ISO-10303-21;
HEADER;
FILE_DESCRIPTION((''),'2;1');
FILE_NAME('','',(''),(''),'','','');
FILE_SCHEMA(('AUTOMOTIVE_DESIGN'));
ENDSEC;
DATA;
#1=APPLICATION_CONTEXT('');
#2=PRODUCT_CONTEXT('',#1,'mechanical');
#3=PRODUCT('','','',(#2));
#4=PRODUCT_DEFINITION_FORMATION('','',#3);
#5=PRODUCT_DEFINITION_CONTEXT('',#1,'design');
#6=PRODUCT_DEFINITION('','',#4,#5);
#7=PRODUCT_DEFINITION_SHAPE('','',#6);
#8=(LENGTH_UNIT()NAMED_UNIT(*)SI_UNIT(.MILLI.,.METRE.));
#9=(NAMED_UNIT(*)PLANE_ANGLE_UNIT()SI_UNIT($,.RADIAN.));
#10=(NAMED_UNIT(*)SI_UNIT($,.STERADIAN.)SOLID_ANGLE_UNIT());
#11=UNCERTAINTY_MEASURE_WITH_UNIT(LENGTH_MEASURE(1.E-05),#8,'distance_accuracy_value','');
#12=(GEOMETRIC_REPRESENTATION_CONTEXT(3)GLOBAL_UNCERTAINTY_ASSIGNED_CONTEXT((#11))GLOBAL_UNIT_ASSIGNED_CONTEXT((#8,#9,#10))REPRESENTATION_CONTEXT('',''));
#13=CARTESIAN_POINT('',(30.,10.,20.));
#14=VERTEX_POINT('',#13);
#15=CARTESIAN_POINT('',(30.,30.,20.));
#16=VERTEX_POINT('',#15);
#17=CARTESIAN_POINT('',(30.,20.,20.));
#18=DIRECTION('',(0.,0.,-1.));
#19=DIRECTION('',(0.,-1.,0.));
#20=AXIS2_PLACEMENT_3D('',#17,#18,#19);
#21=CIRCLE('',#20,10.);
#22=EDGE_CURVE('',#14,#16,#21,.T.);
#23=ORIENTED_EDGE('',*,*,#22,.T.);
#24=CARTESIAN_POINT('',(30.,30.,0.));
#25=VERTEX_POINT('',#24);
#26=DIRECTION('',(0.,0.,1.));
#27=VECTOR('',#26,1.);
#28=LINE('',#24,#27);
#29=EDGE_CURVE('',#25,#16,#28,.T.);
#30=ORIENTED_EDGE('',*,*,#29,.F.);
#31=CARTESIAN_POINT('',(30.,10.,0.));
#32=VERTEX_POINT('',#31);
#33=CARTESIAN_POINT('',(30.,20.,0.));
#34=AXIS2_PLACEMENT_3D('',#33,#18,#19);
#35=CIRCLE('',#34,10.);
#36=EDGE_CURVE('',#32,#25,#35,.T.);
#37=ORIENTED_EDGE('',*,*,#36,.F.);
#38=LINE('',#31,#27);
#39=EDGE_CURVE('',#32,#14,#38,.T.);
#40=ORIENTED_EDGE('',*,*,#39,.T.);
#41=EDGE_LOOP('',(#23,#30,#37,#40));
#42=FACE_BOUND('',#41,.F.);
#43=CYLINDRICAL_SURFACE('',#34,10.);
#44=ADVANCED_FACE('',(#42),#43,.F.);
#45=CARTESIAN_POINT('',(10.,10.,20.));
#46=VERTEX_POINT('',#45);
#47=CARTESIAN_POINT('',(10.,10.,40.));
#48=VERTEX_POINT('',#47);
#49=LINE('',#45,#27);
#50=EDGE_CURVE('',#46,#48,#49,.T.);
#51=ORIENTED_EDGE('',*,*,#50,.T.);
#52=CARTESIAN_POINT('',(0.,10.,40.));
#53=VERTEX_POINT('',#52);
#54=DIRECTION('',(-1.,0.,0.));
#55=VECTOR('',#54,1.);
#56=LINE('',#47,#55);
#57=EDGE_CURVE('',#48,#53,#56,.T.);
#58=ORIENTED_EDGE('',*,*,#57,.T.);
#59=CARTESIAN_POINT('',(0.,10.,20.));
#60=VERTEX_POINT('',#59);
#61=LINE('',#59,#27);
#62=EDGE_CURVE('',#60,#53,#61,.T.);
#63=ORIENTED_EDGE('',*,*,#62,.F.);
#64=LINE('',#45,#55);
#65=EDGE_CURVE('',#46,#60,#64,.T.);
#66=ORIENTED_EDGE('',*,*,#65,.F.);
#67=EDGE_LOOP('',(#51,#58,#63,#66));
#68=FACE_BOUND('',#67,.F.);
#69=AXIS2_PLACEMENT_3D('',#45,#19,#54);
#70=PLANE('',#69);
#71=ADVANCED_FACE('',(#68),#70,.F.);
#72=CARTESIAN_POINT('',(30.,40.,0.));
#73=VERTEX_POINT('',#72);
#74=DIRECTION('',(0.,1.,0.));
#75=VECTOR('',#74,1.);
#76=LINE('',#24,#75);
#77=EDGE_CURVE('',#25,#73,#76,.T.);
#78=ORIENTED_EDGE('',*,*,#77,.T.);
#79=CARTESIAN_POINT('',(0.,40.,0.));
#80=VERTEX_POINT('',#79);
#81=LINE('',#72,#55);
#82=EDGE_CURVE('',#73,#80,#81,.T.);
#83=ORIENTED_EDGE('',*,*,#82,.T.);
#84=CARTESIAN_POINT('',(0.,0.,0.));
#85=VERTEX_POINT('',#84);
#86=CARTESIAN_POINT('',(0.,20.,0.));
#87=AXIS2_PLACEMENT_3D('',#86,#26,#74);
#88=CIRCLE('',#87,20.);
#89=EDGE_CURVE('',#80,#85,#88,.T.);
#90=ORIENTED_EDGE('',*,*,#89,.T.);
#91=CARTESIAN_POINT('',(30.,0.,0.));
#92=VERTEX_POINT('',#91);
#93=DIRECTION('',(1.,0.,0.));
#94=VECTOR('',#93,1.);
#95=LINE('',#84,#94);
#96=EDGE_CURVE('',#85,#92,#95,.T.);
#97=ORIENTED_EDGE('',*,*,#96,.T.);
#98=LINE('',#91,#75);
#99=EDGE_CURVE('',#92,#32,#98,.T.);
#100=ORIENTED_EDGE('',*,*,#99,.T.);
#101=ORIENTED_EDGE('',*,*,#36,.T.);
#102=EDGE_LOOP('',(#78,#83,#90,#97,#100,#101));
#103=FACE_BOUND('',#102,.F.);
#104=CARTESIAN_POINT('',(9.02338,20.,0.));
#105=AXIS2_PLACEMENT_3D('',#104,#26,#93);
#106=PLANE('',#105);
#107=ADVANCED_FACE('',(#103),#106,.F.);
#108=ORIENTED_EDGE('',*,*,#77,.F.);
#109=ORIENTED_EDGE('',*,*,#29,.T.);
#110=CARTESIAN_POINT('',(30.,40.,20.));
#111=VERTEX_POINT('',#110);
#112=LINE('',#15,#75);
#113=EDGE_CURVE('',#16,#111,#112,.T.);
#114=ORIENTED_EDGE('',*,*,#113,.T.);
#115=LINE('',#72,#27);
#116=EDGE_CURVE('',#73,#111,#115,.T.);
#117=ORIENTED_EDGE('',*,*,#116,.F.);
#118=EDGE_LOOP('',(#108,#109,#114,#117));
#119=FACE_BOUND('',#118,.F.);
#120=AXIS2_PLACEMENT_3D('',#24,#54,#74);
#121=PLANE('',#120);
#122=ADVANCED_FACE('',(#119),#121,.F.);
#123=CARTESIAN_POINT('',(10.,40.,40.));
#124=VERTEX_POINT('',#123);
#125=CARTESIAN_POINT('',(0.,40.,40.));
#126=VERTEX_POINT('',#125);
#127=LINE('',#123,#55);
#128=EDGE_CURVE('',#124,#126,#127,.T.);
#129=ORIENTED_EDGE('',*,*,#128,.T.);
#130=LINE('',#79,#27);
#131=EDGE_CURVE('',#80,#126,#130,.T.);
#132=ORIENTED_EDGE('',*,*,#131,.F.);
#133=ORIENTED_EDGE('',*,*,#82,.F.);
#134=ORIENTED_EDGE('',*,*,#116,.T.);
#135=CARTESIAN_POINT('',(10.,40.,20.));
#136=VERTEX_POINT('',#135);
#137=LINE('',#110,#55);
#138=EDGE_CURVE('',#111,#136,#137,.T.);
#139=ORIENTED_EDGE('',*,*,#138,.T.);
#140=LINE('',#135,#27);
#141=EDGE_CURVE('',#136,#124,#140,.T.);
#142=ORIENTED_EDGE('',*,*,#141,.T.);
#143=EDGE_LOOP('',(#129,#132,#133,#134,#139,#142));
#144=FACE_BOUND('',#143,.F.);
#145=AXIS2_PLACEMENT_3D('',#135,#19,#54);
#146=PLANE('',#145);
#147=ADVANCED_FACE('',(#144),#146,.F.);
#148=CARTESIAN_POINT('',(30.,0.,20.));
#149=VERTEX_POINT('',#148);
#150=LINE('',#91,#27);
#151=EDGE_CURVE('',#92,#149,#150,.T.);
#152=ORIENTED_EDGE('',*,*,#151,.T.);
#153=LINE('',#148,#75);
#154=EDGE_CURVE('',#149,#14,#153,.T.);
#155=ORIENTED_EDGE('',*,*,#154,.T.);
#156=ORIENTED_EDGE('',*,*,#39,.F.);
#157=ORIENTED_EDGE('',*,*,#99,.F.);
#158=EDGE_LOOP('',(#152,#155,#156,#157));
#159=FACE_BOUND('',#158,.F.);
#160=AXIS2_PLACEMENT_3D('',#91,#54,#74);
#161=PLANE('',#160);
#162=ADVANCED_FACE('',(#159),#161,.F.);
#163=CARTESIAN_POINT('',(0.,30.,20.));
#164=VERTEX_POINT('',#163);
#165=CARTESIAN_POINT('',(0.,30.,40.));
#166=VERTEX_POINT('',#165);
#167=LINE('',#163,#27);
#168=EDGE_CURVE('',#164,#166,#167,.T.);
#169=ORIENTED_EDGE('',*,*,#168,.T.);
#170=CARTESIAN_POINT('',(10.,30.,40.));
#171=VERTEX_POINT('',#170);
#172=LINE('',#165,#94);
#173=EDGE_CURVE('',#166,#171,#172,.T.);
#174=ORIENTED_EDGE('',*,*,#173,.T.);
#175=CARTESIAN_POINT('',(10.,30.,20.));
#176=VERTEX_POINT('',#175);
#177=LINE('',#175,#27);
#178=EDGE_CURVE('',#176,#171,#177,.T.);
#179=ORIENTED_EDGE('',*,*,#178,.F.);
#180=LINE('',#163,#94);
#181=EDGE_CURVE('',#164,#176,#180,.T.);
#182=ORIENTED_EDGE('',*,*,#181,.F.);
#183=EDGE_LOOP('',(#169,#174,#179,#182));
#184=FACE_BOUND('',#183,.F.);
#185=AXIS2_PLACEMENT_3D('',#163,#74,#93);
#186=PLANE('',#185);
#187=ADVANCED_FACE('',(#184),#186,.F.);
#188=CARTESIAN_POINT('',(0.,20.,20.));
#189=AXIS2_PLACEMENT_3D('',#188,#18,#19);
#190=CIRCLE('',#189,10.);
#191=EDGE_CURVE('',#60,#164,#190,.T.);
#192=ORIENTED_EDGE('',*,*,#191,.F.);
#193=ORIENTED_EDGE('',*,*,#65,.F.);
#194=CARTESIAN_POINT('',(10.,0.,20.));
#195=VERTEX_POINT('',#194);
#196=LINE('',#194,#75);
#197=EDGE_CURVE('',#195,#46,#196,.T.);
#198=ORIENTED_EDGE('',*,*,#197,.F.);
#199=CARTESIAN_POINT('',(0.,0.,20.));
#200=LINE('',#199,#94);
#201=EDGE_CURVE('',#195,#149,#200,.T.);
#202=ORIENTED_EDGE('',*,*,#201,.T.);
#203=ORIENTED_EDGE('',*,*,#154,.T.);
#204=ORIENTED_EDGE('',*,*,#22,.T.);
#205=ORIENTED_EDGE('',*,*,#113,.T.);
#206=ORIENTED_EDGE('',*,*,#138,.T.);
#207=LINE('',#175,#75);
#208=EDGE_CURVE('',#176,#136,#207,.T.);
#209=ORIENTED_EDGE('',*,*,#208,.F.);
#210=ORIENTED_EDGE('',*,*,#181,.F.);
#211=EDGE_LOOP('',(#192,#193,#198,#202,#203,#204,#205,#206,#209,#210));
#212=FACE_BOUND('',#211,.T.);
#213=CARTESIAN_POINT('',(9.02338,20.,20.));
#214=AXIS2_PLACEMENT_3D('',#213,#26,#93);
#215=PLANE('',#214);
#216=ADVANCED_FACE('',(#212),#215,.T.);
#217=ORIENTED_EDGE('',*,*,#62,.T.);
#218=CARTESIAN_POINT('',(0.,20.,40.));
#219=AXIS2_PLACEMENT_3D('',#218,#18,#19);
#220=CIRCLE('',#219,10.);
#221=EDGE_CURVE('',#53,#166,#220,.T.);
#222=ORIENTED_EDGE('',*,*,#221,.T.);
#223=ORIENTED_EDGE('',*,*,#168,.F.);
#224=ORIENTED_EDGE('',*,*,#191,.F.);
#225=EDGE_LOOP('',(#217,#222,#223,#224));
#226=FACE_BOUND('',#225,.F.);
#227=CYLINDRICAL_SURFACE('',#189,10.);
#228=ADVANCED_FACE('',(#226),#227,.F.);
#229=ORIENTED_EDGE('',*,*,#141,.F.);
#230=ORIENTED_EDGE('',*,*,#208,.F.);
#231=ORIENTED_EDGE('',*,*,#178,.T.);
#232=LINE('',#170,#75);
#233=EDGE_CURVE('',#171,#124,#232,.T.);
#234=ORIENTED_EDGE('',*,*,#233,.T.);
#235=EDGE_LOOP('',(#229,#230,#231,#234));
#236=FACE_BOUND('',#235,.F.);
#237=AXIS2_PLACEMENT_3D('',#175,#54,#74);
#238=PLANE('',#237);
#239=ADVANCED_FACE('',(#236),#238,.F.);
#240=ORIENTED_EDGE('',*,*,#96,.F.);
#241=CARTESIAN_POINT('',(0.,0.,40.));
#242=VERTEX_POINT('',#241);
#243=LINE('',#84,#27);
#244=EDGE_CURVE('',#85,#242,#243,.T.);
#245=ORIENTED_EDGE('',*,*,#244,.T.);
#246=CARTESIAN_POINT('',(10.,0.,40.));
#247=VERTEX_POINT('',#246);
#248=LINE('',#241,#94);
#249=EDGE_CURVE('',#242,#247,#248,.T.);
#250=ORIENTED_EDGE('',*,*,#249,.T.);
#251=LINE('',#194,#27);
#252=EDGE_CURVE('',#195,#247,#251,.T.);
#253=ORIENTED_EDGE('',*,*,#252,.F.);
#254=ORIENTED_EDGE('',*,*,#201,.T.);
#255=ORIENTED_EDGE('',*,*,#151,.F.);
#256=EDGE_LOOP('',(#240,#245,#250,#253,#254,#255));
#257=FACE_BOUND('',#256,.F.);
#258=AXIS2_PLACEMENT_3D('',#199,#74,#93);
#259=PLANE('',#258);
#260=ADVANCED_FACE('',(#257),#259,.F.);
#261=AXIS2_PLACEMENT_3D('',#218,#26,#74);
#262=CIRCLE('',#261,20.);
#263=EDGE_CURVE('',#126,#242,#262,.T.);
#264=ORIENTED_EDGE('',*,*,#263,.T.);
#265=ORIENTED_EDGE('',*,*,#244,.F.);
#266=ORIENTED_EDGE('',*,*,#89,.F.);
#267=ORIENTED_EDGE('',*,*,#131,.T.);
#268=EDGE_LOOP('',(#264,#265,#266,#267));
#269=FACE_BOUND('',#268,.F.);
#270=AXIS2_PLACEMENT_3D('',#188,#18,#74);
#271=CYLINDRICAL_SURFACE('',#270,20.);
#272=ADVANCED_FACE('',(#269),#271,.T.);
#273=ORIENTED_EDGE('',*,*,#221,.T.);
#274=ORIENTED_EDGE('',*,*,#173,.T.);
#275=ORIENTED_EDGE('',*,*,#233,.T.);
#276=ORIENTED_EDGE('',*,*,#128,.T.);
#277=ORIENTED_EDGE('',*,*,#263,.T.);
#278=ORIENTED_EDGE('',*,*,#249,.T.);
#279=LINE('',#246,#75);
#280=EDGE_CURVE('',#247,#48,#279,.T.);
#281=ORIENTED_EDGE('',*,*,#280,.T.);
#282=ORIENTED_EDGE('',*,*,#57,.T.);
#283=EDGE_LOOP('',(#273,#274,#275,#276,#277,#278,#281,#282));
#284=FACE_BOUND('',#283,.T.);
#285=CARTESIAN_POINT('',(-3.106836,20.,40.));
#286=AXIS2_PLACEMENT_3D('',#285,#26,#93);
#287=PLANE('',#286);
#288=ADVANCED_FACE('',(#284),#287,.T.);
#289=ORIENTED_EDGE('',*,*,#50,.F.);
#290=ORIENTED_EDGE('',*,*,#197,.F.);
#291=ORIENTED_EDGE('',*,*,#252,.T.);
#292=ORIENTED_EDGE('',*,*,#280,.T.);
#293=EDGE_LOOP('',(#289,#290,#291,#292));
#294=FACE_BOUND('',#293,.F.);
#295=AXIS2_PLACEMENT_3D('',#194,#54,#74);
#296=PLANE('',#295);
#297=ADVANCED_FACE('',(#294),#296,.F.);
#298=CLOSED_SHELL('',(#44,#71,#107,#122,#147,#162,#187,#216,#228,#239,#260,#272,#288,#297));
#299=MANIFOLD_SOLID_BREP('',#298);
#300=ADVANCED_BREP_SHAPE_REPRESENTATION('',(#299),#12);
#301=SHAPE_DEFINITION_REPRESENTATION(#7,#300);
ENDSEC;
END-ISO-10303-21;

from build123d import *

# Parameters (mm, degrees)
F1_DEPTH = 20
F3_DEPTH = 20


with BuildPart() as f1:
    # F0 (on Top) → F1 (new body)
    with BuildSketch(Plane.XY):
        with BuildLine():
            ThreePointArc((0, 40), (-20, 20), (0, 0))
            Line((0, 0), (30, 0))
            Line((30, 0), (30, 10))
            ThreePointArc((30, 10), (20, 20), (30, 30))
            Line((30, 30), (30, 40))
            Line((30, 40), (0, 40))
        make_face()
    extrude(amount=F1_DEPTH)

    # F2 (on face) → F3 (join)
    with BuildSketch(Plane.XY.offset(20)):
        with BuildLine():
            Line((10, 40), (0, 40))
            ThreePointArc((0, 40), (-20, 20), (0, 0))
            Line((0, 0), (10, 0))
            Line((10, 0), (10, 10))
            Line((10, 10), (0, 10))
            ThreePointArc((0, 10), (-10, 20), (0, 30))
            Line((0, 30), (10, 30))
            Line((10, 30), (10, 40))
        make_face()
    extrude(amount=F3_DEPTH)


solid = f1.part
